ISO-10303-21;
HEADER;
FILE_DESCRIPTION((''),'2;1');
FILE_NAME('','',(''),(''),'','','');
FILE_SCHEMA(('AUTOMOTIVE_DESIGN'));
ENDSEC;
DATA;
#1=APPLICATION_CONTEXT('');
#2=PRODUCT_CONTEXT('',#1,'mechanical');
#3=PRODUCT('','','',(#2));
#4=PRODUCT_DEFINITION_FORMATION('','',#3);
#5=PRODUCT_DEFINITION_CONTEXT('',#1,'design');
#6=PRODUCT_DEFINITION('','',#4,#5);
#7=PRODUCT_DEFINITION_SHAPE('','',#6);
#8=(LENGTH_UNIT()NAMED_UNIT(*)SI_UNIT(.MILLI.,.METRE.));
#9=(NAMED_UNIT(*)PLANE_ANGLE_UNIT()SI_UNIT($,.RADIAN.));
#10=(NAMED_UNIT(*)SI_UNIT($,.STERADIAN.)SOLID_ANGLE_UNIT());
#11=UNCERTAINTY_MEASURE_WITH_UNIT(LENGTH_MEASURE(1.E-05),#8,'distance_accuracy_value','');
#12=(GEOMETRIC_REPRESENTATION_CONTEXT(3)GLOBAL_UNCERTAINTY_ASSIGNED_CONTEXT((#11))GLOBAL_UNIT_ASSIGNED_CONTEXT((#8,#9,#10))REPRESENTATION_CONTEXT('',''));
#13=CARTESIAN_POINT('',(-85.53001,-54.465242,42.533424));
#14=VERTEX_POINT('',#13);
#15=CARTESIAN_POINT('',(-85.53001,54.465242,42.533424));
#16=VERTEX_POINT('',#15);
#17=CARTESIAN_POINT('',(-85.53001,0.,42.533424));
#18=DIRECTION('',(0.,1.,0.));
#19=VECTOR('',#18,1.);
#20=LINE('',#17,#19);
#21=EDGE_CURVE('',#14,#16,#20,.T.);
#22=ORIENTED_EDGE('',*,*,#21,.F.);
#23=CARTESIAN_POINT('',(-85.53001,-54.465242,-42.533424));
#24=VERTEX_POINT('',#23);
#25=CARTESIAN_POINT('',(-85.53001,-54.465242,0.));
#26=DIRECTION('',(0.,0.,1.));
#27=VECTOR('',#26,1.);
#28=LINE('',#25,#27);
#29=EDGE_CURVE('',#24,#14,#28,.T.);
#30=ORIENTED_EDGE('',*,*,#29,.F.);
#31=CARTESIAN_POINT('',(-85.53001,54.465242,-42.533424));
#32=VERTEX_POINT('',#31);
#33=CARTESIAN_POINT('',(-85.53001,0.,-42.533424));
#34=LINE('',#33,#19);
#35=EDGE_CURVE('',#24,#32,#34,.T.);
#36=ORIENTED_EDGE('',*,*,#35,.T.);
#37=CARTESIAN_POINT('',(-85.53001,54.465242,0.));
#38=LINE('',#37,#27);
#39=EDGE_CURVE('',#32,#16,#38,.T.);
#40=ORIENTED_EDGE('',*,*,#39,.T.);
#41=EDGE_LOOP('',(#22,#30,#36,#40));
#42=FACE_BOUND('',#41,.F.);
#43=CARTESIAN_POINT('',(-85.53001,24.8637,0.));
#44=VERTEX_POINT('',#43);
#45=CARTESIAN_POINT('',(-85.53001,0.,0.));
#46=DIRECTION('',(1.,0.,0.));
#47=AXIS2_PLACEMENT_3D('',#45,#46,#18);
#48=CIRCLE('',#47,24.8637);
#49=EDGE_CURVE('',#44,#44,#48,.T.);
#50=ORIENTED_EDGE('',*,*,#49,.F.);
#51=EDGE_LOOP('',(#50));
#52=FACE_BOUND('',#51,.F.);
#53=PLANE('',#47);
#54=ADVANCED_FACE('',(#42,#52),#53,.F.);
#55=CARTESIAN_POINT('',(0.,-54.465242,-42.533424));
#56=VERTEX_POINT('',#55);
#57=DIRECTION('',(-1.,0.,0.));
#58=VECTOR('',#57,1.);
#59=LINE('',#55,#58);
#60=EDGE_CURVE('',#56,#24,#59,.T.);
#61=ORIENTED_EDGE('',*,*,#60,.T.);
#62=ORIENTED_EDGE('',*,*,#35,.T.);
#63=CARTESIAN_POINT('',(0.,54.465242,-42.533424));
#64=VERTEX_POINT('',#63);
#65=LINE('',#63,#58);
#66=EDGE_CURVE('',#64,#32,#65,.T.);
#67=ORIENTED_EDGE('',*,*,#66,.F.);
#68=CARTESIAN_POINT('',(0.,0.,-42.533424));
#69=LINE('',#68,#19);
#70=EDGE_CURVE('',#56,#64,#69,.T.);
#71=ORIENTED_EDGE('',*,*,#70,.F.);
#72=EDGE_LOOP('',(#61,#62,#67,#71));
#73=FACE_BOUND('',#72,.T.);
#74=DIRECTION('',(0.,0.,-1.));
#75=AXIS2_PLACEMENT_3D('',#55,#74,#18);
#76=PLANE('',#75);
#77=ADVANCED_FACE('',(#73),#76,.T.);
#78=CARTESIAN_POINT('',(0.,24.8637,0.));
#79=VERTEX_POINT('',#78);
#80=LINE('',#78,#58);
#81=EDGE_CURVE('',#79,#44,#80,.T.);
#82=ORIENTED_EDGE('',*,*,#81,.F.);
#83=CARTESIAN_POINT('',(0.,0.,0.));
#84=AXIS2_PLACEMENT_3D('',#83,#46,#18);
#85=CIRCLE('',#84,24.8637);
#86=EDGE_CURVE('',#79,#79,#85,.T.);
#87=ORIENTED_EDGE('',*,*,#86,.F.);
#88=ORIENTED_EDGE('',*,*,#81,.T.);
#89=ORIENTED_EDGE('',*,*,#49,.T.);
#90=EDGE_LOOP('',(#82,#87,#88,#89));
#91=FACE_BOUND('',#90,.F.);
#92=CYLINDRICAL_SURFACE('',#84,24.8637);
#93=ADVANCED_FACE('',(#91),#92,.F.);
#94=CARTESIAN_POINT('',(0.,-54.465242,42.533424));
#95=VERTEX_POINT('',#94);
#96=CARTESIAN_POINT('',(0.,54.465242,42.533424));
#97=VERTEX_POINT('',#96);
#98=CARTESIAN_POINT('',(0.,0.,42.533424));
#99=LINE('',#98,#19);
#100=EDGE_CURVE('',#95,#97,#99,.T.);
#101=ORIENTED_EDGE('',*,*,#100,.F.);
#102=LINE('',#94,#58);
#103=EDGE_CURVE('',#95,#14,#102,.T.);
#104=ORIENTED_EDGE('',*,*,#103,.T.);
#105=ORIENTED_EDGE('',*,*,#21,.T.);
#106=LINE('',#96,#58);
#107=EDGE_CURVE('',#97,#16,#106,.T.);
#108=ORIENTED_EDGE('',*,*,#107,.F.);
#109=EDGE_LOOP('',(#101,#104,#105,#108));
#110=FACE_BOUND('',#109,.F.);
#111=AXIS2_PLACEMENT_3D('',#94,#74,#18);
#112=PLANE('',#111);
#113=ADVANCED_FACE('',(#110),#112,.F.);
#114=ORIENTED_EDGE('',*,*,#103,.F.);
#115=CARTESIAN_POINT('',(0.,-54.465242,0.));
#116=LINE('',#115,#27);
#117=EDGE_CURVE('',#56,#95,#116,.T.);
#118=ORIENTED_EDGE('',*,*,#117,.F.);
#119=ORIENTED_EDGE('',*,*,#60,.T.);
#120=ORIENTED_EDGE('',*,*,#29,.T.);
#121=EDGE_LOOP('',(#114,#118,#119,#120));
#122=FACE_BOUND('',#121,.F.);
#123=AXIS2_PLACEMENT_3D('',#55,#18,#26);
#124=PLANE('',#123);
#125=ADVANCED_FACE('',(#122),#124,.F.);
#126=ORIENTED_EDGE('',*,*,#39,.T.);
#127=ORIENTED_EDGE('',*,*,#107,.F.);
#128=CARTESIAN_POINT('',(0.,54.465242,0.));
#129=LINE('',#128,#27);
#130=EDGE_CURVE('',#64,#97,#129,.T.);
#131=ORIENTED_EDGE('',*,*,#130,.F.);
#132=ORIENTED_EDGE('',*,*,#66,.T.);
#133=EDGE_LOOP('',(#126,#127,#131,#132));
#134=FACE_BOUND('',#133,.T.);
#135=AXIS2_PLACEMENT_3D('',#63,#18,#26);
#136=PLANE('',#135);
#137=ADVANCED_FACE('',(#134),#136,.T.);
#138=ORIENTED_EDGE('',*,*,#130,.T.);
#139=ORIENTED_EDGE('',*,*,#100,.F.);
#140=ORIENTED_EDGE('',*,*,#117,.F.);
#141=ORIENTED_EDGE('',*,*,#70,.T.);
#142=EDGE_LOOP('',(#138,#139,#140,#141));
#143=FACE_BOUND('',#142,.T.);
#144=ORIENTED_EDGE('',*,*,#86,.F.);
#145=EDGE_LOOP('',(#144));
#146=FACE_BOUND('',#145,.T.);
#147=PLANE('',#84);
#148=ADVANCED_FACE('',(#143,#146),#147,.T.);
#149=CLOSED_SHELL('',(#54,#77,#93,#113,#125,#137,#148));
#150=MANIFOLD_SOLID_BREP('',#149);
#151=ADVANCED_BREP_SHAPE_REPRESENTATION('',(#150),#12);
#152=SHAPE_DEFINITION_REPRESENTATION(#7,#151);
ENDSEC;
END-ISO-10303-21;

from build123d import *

# Parameters (mm, degrees)
F0_W     = 108.930484
F0_H     = 85.066848
F0_R     = 24.8637
F1_DEPTH = 85.53001


with BuildPart() as f1:
    # F0 (on Right) → F1 (new body)
    with BuildSketch(Plane.YZ):
        Rectangle(F0_W, F0_H)
        Circle(F0_R, mode=Mode.SUBTRACT)
    extrude(amount=-F1_DEPTH)


solid = f1.part
